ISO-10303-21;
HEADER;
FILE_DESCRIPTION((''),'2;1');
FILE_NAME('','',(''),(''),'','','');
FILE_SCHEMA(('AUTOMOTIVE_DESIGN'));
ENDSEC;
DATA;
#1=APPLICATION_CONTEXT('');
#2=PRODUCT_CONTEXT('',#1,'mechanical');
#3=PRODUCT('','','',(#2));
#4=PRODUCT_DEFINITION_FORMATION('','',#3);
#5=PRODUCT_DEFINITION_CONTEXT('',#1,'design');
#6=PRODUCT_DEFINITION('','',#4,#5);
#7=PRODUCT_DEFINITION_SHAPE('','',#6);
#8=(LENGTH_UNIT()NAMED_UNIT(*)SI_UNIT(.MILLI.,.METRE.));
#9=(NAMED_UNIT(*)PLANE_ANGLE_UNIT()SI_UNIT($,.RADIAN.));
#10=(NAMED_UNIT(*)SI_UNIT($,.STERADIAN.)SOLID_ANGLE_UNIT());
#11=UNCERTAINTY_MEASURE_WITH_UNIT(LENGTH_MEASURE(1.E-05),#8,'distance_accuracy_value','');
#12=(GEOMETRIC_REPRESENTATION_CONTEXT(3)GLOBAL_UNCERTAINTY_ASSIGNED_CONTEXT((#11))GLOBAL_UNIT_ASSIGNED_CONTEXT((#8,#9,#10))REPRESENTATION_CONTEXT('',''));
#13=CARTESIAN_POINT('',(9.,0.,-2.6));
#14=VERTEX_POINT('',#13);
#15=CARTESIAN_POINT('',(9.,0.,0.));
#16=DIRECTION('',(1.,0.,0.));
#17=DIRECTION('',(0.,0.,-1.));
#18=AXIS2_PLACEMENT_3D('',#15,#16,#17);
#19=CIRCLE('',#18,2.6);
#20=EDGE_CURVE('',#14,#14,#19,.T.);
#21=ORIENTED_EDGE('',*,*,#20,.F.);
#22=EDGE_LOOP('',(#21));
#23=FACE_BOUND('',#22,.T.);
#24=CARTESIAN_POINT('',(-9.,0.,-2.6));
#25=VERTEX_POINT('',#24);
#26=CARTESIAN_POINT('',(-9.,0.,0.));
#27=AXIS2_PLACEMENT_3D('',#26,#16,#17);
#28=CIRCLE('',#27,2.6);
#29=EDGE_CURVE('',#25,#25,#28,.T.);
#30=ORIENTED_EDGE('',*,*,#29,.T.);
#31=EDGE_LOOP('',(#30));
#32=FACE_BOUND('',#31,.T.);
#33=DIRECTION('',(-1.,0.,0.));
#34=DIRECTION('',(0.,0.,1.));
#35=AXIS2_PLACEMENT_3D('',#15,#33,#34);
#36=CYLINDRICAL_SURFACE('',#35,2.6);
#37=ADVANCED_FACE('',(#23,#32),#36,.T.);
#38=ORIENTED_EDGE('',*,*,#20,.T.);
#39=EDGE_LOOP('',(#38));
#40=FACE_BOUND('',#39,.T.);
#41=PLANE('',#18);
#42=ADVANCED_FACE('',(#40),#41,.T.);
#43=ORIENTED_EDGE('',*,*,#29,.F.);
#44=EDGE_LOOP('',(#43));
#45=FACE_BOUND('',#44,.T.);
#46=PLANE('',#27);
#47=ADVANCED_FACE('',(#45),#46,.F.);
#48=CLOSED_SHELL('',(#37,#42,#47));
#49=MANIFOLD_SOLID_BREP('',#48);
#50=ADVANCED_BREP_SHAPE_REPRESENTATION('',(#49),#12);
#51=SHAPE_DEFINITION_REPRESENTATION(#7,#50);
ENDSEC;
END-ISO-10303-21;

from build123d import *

# Parameters (mm, degrees)
SZKIC1_R                    = 2.6
DODANIE_WYCI_GNI_CIE1_DEPTH = 9


with BuildPart() as part:
    # Szkic1 → Dodanie-wyciągnięcie1 (new body, symmetric)
    with BuildSketch(Plane(origin=(0, 0, 0), x_dir=(0, 0, -1), z_dir=(1, 0, 0))):
        Circle(SZKIC1_R)
    extrude(amount=DODANIE_WYCI_GNI_CIE1_DEPTH, both=True)


solid = part.part
